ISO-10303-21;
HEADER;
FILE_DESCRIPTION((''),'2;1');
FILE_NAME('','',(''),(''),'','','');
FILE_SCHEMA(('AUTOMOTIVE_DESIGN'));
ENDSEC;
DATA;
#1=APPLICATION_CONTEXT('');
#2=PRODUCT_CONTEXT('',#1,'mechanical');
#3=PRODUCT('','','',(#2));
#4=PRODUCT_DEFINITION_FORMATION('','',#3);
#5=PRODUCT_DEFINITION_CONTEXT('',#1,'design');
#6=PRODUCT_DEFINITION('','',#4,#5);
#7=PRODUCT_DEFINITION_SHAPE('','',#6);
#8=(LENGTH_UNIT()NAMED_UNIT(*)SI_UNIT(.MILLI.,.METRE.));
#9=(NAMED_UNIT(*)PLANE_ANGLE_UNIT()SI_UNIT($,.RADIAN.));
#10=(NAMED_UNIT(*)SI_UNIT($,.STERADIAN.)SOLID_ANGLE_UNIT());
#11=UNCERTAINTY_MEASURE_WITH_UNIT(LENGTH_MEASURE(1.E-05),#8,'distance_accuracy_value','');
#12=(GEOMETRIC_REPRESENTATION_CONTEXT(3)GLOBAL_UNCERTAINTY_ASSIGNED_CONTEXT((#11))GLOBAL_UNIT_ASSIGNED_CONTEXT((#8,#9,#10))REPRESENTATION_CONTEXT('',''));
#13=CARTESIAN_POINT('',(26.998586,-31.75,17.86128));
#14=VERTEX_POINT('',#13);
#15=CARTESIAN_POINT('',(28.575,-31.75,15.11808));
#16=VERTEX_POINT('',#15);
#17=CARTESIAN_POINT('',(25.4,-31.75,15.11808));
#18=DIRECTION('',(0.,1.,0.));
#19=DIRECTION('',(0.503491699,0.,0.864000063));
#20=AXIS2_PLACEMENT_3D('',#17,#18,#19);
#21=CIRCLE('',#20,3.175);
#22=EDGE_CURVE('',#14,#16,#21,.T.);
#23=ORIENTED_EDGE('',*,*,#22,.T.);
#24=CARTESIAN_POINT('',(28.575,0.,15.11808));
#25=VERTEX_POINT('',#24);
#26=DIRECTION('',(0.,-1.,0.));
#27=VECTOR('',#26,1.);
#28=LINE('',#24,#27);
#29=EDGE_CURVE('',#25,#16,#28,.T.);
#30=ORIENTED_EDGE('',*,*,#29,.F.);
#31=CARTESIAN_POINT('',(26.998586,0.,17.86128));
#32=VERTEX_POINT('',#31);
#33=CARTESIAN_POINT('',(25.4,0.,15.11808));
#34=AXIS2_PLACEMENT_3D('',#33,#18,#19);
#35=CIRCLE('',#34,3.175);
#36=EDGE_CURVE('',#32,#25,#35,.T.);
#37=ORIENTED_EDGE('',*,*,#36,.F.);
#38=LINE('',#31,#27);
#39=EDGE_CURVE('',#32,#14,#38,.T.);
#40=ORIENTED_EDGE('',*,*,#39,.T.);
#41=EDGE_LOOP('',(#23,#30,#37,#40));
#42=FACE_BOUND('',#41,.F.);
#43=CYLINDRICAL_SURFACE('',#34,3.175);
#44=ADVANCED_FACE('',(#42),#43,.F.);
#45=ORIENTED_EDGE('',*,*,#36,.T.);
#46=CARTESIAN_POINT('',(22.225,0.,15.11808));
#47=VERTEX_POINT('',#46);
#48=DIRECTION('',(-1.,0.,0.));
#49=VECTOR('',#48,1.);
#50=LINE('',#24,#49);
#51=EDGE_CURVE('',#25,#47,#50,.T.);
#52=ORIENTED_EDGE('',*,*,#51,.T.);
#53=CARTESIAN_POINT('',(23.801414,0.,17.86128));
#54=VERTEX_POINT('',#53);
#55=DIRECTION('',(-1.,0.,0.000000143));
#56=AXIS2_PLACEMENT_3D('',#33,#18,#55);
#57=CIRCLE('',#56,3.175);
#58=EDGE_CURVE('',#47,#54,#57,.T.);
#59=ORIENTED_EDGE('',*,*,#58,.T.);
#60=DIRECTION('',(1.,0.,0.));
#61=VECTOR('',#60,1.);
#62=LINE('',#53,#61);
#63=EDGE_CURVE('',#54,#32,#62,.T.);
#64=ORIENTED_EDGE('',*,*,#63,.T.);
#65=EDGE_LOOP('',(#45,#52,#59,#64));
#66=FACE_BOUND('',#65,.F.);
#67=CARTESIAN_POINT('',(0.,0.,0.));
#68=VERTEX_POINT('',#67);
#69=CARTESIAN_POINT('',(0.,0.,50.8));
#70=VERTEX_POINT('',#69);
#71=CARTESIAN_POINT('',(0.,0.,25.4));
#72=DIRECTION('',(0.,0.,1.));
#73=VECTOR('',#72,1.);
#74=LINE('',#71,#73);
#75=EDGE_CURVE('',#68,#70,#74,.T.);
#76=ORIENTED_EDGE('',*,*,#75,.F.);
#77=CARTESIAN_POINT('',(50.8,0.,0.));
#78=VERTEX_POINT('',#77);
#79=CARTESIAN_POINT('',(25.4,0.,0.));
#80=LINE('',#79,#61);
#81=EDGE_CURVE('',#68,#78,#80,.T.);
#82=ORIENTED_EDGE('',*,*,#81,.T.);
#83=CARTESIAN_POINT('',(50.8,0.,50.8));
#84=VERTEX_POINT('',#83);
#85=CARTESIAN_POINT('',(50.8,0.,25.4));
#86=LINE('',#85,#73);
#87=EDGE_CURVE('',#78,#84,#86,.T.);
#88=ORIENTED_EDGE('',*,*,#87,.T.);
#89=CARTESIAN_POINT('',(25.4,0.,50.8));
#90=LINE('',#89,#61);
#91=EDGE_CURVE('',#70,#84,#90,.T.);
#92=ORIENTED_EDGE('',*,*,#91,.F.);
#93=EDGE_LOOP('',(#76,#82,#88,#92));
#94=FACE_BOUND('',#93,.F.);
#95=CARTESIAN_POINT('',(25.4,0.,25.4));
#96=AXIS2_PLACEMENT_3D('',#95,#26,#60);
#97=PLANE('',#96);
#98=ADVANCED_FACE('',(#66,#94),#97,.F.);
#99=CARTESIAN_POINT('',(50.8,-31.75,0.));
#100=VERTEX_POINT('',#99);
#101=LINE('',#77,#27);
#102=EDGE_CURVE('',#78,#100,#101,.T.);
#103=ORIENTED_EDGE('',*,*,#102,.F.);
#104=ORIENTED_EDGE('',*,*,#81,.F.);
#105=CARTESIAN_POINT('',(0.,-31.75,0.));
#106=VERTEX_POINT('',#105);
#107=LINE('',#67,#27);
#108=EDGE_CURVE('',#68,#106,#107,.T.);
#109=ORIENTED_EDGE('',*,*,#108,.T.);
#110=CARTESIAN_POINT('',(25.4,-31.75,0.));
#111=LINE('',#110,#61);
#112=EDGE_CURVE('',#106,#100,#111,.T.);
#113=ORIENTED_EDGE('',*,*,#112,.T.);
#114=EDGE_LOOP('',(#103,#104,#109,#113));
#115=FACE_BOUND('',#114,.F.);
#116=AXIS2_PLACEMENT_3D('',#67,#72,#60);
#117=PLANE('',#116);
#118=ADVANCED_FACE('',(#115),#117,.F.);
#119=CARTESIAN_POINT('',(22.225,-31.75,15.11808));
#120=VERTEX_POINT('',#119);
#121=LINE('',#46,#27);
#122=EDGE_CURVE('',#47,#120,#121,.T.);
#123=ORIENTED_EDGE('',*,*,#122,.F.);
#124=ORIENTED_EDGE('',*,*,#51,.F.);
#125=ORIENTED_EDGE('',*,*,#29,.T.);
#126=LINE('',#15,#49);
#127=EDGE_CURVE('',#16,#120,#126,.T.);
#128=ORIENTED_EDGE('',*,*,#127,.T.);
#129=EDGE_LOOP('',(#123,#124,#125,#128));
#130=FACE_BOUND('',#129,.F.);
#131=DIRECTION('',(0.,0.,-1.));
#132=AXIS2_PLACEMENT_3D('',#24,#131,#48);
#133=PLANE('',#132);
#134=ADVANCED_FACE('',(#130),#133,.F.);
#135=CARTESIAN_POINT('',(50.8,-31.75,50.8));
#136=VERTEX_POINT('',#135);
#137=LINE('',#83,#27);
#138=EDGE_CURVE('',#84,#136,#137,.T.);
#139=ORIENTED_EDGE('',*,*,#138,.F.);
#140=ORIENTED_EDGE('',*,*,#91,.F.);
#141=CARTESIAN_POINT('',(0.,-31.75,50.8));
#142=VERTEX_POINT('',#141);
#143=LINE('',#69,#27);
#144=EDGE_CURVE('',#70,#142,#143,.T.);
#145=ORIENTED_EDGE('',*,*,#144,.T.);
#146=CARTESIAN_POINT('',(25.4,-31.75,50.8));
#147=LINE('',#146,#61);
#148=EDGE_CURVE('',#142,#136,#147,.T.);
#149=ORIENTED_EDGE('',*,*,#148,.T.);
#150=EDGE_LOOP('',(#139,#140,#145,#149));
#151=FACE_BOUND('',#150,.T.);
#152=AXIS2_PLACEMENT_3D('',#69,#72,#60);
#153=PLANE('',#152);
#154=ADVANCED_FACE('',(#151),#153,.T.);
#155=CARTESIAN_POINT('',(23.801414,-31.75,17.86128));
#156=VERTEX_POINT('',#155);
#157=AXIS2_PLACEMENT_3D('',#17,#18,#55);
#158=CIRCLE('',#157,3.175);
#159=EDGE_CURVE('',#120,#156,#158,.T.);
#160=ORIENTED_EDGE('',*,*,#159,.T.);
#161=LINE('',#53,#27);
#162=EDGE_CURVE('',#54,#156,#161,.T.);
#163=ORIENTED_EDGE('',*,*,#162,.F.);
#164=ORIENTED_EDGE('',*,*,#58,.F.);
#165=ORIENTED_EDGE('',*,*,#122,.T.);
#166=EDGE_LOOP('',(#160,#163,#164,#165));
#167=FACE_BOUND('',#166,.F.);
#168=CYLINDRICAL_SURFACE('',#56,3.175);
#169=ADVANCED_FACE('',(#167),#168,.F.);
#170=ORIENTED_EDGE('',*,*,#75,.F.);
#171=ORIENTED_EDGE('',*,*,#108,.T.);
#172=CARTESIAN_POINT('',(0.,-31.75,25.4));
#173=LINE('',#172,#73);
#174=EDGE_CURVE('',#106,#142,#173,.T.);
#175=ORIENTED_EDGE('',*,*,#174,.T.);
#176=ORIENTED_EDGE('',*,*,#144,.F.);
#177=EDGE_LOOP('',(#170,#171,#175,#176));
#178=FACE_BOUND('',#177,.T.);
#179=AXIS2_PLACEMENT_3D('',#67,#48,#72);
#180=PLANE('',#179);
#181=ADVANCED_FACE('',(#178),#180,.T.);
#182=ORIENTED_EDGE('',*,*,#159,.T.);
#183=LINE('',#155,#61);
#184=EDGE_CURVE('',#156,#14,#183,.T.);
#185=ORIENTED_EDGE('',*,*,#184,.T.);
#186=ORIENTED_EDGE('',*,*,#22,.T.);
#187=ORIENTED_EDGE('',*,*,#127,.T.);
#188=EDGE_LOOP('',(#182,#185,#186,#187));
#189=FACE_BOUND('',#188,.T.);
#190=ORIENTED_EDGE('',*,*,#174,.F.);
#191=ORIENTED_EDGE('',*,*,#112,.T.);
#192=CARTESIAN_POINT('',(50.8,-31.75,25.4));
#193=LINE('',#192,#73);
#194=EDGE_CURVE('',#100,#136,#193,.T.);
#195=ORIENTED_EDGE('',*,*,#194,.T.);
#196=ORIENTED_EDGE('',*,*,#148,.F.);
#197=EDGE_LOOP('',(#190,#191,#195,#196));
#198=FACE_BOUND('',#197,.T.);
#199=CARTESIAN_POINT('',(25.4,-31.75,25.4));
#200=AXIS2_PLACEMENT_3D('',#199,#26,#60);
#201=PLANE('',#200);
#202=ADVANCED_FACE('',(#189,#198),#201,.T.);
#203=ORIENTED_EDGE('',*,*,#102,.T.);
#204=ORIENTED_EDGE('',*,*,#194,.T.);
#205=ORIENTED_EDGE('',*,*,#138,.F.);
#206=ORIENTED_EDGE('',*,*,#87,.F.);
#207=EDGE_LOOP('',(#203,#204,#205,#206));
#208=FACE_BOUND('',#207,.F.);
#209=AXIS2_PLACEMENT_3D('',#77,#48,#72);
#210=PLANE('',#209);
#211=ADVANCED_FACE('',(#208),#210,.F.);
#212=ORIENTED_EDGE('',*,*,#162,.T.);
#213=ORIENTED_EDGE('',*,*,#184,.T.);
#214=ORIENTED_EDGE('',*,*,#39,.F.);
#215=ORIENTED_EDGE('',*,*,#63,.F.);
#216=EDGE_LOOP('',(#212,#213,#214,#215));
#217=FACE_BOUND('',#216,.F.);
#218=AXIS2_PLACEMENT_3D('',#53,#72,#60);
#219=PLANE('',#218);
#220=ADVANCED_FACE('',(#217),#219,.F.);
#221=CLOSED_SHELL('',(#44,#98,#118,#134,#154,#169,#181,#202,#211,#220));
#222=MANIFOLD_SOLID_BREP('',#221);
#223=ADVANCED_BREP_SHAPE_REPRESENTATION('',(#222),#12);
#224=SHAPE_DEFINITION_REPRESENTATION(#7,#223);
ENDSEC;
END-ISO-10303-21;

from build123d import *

# Parameters (mm, degrees)
F0_W     = 50.8
F0_H     = 50.8
F1_DEPTH = 31.75


with BuildPart() as f1:
    # F0 (on Front) → F1 (new body)
    with BuildSketch(Plane.XZ):
        with Locations((25.4, 25.4)):
            Rectangle(F0_W, F0_H)
        with BuildLine():
            ThreePointArc((22.225, 15.11808), (22.647171, 16.700027), (23.801414, 17.86128))
            Line((23.801414, 17.86128), (26.998586, 17.86128))
            ThreePointArc((26.998586, 17.86128), (28.152829, 16.700027), (28.575, 15.11808))
            Line((28.575, 15.11808), (22.225, 15.11808))
        make_face(mode=Mode.SUBTRACT)
    extrude(amount=F1_DEPTH)


solid = f1.part
